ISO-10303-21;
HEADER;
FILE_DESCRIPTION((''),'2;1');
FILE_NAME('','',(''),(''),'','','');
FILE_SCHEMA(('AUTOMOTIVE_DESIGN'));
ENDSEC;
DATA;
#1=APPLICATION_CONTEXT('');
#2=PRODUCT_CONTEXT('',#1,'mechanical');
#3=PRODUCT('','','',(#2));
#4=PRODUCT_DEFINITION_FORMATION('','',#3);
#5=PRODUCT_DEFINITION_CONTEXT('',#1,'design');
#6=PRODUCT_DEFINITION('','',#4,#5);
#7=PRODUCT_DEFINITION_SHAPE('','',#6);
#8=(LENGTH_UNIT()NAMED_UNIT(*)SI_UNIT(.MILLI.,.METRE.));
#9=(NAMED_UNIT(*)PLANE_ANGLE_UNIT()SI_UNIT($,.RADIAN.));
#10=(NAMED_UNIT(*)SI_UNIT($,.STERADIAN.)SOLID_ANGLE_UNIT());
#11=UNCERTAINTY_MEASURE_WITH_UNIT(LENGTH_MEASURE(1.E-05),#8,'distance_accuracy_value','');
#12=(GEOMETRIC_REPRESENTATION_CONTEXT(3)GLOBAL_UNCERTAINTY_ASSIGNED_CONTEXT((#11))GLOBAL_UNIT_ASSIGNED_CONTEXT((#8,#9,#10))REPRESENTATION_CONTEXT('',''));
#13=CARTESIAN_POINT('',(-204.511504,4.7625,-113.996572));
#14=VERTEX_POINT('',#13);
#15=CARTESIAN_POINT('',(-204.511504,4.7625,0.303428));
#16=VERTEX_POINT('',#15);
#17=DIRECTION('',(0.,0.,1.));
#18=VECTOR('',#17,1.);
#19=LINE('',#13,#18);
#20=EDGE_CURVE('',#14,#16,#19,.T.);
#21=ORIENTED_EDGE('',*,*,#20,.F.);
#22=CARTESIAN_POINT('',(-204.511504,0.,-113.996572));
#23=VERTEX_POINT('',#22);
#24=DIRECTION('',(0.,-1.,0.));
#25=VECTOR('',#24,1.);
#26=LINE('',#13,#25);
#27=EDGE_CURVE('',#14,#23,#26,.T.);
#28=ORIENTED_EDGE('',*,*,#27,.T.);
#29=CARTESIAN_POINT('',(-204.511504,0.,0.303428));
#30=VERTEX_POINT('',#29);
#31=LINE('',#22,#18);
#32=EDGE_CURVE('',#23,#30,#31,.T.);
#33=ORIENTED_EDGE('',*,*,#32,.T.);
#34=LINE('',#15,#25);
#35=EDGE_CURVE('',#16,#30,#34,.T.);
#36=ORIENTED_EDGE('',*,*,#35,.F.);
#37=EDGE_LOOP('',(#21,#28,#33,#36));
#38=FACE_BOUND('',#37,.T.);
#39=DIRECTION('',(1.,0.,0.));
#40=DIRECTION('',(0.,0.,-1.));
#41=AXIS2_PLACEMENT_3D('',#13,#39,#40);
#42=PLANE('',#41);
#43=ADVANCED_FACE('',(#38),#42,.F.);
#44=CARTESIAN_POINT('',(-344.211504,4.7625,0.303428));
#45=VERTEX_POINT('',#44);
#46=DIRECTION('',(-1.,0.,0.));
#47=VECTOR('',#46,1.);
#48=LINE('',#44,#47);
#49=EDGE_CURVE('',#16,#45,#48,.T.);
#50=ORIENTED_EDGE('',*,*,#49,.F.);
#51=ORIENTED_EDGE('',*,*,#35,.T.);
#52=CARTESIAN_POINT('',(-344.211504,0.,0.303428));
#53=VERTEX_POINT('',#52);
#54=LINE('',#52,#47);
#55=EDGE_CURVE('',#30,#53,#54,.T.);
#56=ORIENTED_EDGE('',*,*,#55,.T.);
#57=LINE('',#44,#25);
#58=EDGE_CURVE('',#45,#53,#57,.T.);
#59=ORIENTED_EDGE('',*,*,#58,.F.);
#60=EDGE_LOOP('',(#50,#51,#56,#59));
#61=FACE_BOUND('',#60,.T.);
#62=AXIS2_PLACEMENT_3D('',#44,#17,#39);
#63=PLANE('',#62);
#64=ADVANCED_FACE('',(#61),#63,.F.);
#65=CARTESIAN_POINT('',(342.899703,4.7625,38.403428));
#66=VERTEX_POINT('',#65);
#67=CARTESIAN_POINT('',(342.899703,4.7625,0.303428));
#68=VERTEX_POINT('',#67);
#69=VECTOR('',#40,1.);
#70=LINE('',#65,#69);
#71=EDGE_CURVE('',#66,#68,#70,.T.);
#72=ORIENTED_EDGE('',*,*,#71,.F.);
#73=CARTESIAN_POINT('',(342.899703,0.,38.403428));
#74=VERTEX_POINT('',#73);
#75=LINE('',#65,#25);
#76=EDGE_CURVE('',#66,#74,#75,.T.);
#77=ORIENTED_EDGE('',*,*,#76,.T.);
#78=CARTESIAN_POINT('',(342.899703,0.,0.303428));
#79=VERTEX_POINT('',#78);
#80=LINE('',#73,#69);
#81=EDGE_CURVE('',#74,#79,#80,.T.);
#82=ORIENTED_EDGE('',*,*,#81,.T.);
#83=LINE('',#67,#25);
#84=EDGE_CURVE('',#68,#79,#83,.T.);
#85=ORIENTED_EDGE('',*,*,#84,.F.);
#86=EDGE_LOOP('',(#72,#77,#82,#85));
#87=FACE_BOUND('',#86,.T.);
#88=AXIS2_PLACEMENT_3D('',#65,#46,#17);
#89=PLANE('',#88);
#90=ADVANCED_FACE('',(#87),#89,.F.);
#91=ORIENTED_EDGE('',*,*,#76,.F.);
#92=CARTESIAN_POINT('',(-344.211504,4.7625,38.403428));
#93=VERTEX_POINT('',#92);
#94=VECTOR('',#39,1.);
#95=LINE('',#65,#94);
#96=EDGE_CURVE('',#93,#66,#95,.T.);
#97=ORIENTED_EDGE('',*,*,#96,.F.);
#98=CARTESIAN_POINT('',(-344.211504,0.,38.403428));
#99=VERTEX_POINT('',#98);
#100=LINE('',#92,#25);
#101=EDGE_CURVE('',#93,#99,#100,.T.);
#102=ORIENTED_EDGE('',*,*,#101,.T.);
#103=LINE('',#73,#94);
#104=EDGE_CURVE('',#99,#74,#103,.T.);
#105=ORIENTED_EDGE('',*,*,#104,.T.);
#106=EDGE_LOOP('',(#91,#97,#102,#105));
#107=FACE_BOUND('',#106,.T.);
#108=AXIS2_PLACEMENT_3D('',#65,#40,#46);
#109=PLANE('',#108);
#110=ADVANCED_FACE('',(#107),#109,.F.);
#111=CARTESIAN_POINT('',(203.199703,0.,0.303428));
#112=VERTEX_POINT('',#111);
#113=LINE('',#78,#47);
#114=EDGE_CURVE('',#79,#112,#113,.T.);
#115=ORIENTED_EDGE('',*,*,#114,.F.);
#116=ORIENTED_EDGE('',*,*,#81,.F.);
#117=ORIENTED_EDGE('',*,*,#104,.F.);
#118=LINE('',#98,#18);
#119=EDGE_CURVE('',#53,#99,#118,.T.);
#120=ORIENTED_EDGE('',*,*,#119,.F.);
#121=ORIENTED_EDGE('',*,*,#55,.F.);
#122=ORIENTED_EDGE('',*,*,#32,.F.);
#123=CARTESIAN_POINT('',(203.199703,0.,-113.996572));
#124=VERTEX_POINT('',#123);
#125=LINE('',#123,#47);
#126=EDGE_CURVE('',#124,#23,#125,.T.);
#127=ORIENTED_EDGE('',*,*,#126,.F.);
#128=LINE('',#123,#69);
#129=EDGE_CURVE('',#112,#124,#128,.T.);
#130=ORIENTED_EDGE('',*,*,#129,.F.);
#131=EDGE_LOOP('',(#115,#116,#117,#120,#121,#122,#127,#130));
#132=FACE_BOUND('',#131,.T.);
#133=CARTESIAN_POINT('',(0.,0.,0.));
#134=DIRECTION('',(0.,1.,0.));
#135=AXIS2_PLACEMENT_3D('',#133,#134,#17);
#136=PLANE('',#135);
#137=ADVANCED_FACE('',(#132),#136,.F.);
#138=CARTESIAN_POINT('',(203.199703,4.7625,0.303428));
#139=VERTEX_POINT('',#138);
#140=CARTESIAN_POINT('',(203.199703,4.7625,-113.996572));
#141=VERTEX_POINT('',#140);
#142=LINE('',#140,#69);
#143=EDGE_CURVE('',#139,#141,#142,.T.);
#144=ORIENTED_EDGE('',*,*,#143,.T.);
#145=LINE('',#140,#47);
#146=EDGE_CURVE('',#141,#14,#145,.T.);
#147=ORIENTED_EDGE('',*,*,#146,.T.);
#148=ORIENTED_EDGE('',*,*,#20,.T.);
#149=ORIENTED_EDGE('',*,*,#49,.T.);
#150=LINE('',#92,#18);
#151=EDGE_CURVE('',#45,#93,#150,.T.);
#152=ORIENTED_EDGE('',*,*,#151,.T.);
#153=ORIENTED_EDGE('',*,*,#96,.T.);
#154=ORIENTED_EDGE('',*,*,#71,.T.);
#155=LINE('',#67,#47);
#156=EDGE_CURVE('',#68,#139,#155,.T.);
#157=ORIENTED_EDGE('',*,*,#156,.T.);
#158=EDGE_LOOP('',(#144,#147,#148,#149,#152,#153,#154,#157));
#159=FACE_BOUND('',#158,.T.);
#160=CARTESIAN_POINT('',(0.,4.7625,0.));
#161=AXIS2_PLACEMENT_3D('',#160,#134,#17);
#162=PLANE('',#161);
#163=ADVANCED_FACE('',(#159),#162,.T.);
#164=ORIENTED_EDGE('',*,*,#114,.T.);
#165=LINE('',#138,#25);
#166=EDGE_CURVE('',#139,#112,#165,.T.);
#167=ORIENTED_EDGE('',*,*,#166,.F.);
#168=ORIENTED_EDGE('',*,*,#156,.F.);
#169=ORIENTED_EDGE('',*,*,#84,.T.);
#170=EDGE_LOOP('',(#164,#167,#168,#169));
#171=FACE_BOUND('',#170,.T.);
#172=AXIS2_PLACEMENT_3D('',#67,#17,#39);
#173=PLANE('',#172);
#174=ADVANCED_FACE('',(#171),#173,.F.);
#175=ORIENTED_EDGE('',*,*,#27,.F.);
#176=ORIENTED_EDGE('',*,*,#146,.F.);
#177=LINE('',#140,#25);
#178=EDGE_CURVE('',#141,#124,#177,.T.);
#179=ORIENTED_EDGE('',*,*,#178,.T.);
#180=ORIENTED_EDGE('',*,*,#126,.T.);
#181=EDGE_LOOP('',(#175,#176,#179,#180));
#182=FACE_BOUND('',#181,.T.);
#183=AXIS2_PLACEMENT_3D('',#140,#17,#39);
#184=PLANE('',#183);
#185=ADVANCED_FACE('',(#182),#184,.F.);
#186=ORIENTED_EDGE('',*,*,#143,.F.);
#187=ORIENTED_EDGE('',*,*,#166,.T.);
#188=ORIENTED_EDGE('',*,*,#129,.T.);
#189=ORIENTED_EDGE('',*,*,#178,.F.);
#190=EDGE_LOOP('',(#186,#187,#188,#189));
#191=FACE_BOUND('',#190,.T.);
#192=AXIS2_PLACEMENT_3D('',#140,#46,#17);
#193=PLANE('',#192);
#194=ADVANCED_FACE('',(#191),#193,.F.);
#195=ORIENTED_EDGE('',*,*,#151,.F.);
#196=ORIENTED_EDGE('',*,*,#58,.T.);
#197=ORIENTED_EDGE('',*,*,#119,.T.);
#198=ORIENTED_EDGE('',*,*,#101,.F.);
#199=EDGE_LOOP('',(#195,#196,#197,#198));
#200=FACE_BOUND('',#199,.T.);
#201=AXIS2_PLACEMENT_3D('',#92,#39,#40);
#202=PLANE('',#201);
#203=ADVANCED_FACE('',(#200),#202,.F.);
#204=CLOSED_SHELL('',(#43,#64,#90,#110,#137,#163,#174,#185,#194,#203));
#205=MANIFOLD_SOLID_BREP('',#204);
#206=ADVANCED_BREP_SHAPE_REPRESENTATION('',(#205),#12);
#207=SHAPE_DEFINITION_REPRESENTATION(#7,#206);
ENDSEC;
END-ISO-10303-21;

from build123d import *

# Parameters (mm, degrees)
BOSS_EXTRUDE1_DEPTH = 4.7625


with BuildPart() as part:
    # Sketch1 → Boss-Extrude1 (new body)
    with BuildSketch(Plane(origin=(0, 0, 0), x_dir=(1, 0, 0), z_dir=(0, 1, 0))):
        Polygon((342.899703373, -38.403428205), (-344.211504346, -38.403428205), (-344.211504346, -0.303428205), (-204.511504346, -0.303428205), (-204.511504346, 113.996571795), (203.199703373, 113.996571795), (203.199703373, -0.303428205), (342.899703373, -0.303428205), align=None)
    extrude(amount=BOSS_EXTRUDE1_DEPTH)


solid = part.part
